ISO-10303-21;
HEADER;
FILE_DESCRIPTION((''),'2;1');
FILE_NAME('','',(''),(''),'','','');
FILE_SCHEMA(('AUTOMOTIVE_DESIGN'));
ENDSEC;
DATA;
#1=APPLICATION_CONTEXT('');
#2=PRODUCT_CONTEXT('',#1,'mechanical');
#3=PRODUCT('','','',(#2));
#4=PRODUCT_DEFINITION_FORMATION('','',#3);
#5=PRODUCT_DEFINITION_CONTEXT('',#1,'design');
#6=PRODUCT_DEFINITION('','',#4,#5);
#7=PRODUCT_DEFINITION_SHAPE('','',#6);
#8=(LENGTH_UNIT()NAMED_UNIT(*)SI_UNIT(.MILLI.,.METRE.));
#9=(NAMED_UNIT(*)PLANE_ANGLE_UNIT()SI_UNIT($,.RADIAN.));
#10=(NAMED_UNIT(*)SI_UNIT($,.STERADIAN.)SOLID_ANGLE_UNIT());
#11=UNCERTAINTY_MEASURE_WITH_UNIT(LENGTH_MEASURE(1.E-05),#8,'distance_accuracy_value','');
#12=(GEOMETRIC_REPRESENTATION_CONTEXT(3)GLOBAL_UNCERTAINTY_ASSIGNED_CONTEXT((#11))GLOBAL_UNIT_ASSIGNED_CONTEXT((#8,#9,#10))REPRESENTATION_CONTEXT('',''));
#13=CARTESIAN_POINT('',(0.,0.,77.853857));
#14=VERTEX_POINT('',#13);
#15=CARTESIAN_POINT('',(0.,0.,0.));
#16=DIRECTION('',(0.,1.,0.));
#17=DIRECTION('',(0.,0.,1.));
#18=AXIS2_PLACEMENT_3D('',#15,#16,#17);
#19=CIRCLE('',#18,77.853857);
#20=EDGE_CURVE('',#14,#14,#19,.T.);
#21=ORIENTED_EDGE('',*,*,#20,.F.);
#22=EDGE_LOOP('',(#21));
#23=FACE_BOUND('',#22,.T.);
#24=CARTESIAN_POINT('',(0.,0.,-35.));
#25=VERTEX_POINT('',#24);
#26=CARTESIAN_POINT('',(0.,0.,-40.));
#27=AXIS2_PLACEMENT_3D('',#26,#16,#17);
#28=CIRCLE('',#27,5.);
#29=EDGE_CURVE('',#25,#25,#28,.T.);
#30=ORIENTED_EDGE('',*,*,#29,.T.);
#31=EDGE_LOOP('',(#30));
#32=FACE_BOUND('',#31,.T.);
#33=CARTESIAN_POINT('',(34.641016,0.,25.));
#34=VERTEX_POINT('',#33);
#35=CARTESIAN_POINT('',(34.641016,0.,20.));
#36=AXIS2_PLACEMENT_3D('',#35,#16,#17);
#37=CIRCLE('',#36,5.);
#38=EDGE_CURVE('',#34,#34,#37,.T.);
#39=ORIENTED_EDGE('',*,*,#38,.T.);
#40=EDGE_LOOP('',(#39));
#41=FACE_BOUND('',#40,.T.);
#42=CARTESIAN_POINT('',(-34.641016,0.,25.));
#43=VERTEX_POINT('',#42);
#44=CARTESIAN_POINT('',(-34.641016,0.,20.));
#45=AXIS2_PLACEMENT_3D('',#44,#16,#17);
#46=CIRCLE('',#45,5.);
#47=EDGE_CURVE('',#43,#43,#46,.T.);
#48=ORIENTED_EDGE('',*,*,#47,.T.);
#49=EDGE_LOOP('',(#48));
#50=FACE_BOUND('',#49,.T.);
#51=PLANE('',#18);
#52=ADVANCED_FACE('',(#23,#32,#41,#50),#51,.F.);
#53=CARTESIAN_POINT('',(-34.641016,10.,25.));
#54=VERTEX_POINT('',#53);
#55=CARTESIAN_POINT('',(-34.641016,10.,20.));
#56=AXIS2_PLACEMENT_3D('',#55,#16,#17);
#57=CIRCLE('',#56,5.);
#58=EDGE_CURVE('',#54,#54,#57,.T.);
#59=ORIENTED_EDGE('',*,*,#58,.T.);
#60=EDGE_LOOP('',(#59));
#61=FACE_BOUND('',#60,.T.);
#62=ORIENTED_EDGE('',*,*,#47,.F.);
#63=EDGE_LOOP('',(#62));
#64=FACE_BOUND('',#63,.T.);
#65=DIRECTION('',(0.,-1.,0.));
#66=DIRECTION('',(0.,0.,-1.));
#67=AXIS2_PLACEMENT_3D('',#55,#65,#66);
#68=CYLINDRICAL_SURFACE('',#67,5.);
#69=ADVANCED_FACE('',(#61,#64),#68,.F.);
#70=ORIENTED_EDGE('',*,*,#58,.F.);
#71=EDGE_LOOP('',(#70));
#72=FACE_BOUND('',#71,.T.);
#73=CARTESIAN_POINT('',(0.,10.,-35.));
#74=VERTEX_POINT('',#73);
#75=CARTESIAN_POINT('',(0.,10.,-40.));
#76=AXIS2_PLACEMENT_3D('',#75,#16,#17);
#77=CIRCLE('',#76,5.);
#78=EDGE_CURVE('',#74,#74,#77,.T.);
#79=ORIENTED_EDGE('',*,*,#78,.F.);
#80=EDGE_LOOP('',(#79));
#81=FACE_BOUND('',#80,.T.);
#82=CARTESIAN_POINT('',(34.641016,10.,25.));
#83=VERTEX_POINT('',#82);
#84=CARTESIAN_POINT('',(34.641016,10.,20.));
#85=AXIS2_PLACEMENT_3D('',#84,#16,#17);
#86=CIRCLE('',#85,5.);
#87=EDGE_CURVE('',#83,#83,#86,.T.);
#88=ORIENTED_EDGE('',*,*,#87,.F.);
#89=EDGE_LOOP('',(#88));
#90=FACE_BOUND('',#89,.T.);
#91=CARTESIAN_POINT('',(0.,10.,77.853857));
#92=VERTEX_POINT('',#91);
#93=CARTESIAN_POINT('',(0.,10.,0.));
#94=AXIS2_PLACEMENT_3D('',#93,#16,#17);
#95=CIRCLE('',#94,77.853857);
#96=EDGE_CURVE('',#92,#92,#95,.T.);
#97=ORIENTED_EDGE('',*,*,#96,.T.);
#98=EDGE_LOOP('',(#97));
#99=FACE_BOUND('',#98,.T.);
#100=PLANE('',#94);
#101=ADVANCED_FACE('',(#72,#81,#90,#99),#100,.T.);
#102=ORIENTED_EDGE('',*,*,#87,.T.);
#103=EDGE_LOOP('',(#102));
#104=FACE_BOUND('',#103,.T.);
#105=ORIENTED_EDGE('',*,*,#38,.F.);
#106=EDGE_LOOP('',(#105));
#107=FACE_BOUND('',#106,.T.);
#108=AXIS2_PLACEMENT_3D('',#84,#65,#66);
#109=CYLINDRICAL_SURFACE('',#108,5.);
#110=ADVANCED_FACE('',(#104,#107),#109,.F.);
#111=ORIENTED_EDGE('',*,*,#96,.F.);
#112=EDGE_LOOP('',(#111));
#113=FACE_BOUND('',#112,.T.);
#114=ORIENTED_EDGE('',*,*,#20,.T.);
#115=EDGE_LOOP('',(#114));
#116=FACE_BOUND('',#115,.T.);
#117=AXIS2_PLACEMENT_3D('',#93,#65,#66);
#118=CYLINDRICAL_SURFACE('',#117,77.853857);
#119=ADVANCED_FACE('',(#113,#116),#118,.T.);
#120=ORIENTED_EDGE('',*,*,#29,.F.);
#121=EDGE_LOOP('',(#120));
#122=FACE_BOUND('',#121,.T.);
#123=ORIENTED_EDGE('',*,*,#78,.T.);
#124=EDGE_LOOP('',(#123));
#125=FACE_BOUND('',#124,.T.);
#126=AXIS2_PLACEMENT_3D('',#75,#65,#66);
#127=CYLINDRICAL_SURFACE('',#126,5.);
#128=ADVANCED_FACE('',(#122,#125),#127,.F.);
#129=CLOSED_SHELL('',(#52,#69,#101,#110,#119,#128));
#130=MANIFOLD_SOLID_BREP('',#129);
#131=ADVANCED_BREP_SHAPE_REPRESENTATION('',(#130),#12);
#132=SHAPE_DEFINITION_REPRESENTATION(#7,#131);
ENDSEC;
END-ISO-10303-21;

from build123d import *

# Parameters (mm, degrees)
SKETCH_1_R      = 77.853856573
SKETCH_1_R_2    = 5
EXTRUDE_1_DEPTH = 10


with BuildPart() as part:
    # 草图1 → 凸台-拉伸1 (new body)
    with BuildSketch(Plane(origin=(0, 0, 0), x_dir=(1, 0, 0), z_dir=(0, 1, 0))):
        Circle(SKETCH_1_R)
        with Locations((0, 40)):
            Circle(SKETCH_1_R_2, mode=Mode.SUBTRACT)
        with Locations((34.641016151, -20)):
            Circle(SKETCH_1_R_2, mode=Mode.SUBTRACT)
        with Locations((-34.641016151, -20)):
            Circle(SKETCH_1_R_2, mode=Mode.SUBTRACT)
    extrude(amount=EXTRUDE_1_DEPTH)


solid = part.part
